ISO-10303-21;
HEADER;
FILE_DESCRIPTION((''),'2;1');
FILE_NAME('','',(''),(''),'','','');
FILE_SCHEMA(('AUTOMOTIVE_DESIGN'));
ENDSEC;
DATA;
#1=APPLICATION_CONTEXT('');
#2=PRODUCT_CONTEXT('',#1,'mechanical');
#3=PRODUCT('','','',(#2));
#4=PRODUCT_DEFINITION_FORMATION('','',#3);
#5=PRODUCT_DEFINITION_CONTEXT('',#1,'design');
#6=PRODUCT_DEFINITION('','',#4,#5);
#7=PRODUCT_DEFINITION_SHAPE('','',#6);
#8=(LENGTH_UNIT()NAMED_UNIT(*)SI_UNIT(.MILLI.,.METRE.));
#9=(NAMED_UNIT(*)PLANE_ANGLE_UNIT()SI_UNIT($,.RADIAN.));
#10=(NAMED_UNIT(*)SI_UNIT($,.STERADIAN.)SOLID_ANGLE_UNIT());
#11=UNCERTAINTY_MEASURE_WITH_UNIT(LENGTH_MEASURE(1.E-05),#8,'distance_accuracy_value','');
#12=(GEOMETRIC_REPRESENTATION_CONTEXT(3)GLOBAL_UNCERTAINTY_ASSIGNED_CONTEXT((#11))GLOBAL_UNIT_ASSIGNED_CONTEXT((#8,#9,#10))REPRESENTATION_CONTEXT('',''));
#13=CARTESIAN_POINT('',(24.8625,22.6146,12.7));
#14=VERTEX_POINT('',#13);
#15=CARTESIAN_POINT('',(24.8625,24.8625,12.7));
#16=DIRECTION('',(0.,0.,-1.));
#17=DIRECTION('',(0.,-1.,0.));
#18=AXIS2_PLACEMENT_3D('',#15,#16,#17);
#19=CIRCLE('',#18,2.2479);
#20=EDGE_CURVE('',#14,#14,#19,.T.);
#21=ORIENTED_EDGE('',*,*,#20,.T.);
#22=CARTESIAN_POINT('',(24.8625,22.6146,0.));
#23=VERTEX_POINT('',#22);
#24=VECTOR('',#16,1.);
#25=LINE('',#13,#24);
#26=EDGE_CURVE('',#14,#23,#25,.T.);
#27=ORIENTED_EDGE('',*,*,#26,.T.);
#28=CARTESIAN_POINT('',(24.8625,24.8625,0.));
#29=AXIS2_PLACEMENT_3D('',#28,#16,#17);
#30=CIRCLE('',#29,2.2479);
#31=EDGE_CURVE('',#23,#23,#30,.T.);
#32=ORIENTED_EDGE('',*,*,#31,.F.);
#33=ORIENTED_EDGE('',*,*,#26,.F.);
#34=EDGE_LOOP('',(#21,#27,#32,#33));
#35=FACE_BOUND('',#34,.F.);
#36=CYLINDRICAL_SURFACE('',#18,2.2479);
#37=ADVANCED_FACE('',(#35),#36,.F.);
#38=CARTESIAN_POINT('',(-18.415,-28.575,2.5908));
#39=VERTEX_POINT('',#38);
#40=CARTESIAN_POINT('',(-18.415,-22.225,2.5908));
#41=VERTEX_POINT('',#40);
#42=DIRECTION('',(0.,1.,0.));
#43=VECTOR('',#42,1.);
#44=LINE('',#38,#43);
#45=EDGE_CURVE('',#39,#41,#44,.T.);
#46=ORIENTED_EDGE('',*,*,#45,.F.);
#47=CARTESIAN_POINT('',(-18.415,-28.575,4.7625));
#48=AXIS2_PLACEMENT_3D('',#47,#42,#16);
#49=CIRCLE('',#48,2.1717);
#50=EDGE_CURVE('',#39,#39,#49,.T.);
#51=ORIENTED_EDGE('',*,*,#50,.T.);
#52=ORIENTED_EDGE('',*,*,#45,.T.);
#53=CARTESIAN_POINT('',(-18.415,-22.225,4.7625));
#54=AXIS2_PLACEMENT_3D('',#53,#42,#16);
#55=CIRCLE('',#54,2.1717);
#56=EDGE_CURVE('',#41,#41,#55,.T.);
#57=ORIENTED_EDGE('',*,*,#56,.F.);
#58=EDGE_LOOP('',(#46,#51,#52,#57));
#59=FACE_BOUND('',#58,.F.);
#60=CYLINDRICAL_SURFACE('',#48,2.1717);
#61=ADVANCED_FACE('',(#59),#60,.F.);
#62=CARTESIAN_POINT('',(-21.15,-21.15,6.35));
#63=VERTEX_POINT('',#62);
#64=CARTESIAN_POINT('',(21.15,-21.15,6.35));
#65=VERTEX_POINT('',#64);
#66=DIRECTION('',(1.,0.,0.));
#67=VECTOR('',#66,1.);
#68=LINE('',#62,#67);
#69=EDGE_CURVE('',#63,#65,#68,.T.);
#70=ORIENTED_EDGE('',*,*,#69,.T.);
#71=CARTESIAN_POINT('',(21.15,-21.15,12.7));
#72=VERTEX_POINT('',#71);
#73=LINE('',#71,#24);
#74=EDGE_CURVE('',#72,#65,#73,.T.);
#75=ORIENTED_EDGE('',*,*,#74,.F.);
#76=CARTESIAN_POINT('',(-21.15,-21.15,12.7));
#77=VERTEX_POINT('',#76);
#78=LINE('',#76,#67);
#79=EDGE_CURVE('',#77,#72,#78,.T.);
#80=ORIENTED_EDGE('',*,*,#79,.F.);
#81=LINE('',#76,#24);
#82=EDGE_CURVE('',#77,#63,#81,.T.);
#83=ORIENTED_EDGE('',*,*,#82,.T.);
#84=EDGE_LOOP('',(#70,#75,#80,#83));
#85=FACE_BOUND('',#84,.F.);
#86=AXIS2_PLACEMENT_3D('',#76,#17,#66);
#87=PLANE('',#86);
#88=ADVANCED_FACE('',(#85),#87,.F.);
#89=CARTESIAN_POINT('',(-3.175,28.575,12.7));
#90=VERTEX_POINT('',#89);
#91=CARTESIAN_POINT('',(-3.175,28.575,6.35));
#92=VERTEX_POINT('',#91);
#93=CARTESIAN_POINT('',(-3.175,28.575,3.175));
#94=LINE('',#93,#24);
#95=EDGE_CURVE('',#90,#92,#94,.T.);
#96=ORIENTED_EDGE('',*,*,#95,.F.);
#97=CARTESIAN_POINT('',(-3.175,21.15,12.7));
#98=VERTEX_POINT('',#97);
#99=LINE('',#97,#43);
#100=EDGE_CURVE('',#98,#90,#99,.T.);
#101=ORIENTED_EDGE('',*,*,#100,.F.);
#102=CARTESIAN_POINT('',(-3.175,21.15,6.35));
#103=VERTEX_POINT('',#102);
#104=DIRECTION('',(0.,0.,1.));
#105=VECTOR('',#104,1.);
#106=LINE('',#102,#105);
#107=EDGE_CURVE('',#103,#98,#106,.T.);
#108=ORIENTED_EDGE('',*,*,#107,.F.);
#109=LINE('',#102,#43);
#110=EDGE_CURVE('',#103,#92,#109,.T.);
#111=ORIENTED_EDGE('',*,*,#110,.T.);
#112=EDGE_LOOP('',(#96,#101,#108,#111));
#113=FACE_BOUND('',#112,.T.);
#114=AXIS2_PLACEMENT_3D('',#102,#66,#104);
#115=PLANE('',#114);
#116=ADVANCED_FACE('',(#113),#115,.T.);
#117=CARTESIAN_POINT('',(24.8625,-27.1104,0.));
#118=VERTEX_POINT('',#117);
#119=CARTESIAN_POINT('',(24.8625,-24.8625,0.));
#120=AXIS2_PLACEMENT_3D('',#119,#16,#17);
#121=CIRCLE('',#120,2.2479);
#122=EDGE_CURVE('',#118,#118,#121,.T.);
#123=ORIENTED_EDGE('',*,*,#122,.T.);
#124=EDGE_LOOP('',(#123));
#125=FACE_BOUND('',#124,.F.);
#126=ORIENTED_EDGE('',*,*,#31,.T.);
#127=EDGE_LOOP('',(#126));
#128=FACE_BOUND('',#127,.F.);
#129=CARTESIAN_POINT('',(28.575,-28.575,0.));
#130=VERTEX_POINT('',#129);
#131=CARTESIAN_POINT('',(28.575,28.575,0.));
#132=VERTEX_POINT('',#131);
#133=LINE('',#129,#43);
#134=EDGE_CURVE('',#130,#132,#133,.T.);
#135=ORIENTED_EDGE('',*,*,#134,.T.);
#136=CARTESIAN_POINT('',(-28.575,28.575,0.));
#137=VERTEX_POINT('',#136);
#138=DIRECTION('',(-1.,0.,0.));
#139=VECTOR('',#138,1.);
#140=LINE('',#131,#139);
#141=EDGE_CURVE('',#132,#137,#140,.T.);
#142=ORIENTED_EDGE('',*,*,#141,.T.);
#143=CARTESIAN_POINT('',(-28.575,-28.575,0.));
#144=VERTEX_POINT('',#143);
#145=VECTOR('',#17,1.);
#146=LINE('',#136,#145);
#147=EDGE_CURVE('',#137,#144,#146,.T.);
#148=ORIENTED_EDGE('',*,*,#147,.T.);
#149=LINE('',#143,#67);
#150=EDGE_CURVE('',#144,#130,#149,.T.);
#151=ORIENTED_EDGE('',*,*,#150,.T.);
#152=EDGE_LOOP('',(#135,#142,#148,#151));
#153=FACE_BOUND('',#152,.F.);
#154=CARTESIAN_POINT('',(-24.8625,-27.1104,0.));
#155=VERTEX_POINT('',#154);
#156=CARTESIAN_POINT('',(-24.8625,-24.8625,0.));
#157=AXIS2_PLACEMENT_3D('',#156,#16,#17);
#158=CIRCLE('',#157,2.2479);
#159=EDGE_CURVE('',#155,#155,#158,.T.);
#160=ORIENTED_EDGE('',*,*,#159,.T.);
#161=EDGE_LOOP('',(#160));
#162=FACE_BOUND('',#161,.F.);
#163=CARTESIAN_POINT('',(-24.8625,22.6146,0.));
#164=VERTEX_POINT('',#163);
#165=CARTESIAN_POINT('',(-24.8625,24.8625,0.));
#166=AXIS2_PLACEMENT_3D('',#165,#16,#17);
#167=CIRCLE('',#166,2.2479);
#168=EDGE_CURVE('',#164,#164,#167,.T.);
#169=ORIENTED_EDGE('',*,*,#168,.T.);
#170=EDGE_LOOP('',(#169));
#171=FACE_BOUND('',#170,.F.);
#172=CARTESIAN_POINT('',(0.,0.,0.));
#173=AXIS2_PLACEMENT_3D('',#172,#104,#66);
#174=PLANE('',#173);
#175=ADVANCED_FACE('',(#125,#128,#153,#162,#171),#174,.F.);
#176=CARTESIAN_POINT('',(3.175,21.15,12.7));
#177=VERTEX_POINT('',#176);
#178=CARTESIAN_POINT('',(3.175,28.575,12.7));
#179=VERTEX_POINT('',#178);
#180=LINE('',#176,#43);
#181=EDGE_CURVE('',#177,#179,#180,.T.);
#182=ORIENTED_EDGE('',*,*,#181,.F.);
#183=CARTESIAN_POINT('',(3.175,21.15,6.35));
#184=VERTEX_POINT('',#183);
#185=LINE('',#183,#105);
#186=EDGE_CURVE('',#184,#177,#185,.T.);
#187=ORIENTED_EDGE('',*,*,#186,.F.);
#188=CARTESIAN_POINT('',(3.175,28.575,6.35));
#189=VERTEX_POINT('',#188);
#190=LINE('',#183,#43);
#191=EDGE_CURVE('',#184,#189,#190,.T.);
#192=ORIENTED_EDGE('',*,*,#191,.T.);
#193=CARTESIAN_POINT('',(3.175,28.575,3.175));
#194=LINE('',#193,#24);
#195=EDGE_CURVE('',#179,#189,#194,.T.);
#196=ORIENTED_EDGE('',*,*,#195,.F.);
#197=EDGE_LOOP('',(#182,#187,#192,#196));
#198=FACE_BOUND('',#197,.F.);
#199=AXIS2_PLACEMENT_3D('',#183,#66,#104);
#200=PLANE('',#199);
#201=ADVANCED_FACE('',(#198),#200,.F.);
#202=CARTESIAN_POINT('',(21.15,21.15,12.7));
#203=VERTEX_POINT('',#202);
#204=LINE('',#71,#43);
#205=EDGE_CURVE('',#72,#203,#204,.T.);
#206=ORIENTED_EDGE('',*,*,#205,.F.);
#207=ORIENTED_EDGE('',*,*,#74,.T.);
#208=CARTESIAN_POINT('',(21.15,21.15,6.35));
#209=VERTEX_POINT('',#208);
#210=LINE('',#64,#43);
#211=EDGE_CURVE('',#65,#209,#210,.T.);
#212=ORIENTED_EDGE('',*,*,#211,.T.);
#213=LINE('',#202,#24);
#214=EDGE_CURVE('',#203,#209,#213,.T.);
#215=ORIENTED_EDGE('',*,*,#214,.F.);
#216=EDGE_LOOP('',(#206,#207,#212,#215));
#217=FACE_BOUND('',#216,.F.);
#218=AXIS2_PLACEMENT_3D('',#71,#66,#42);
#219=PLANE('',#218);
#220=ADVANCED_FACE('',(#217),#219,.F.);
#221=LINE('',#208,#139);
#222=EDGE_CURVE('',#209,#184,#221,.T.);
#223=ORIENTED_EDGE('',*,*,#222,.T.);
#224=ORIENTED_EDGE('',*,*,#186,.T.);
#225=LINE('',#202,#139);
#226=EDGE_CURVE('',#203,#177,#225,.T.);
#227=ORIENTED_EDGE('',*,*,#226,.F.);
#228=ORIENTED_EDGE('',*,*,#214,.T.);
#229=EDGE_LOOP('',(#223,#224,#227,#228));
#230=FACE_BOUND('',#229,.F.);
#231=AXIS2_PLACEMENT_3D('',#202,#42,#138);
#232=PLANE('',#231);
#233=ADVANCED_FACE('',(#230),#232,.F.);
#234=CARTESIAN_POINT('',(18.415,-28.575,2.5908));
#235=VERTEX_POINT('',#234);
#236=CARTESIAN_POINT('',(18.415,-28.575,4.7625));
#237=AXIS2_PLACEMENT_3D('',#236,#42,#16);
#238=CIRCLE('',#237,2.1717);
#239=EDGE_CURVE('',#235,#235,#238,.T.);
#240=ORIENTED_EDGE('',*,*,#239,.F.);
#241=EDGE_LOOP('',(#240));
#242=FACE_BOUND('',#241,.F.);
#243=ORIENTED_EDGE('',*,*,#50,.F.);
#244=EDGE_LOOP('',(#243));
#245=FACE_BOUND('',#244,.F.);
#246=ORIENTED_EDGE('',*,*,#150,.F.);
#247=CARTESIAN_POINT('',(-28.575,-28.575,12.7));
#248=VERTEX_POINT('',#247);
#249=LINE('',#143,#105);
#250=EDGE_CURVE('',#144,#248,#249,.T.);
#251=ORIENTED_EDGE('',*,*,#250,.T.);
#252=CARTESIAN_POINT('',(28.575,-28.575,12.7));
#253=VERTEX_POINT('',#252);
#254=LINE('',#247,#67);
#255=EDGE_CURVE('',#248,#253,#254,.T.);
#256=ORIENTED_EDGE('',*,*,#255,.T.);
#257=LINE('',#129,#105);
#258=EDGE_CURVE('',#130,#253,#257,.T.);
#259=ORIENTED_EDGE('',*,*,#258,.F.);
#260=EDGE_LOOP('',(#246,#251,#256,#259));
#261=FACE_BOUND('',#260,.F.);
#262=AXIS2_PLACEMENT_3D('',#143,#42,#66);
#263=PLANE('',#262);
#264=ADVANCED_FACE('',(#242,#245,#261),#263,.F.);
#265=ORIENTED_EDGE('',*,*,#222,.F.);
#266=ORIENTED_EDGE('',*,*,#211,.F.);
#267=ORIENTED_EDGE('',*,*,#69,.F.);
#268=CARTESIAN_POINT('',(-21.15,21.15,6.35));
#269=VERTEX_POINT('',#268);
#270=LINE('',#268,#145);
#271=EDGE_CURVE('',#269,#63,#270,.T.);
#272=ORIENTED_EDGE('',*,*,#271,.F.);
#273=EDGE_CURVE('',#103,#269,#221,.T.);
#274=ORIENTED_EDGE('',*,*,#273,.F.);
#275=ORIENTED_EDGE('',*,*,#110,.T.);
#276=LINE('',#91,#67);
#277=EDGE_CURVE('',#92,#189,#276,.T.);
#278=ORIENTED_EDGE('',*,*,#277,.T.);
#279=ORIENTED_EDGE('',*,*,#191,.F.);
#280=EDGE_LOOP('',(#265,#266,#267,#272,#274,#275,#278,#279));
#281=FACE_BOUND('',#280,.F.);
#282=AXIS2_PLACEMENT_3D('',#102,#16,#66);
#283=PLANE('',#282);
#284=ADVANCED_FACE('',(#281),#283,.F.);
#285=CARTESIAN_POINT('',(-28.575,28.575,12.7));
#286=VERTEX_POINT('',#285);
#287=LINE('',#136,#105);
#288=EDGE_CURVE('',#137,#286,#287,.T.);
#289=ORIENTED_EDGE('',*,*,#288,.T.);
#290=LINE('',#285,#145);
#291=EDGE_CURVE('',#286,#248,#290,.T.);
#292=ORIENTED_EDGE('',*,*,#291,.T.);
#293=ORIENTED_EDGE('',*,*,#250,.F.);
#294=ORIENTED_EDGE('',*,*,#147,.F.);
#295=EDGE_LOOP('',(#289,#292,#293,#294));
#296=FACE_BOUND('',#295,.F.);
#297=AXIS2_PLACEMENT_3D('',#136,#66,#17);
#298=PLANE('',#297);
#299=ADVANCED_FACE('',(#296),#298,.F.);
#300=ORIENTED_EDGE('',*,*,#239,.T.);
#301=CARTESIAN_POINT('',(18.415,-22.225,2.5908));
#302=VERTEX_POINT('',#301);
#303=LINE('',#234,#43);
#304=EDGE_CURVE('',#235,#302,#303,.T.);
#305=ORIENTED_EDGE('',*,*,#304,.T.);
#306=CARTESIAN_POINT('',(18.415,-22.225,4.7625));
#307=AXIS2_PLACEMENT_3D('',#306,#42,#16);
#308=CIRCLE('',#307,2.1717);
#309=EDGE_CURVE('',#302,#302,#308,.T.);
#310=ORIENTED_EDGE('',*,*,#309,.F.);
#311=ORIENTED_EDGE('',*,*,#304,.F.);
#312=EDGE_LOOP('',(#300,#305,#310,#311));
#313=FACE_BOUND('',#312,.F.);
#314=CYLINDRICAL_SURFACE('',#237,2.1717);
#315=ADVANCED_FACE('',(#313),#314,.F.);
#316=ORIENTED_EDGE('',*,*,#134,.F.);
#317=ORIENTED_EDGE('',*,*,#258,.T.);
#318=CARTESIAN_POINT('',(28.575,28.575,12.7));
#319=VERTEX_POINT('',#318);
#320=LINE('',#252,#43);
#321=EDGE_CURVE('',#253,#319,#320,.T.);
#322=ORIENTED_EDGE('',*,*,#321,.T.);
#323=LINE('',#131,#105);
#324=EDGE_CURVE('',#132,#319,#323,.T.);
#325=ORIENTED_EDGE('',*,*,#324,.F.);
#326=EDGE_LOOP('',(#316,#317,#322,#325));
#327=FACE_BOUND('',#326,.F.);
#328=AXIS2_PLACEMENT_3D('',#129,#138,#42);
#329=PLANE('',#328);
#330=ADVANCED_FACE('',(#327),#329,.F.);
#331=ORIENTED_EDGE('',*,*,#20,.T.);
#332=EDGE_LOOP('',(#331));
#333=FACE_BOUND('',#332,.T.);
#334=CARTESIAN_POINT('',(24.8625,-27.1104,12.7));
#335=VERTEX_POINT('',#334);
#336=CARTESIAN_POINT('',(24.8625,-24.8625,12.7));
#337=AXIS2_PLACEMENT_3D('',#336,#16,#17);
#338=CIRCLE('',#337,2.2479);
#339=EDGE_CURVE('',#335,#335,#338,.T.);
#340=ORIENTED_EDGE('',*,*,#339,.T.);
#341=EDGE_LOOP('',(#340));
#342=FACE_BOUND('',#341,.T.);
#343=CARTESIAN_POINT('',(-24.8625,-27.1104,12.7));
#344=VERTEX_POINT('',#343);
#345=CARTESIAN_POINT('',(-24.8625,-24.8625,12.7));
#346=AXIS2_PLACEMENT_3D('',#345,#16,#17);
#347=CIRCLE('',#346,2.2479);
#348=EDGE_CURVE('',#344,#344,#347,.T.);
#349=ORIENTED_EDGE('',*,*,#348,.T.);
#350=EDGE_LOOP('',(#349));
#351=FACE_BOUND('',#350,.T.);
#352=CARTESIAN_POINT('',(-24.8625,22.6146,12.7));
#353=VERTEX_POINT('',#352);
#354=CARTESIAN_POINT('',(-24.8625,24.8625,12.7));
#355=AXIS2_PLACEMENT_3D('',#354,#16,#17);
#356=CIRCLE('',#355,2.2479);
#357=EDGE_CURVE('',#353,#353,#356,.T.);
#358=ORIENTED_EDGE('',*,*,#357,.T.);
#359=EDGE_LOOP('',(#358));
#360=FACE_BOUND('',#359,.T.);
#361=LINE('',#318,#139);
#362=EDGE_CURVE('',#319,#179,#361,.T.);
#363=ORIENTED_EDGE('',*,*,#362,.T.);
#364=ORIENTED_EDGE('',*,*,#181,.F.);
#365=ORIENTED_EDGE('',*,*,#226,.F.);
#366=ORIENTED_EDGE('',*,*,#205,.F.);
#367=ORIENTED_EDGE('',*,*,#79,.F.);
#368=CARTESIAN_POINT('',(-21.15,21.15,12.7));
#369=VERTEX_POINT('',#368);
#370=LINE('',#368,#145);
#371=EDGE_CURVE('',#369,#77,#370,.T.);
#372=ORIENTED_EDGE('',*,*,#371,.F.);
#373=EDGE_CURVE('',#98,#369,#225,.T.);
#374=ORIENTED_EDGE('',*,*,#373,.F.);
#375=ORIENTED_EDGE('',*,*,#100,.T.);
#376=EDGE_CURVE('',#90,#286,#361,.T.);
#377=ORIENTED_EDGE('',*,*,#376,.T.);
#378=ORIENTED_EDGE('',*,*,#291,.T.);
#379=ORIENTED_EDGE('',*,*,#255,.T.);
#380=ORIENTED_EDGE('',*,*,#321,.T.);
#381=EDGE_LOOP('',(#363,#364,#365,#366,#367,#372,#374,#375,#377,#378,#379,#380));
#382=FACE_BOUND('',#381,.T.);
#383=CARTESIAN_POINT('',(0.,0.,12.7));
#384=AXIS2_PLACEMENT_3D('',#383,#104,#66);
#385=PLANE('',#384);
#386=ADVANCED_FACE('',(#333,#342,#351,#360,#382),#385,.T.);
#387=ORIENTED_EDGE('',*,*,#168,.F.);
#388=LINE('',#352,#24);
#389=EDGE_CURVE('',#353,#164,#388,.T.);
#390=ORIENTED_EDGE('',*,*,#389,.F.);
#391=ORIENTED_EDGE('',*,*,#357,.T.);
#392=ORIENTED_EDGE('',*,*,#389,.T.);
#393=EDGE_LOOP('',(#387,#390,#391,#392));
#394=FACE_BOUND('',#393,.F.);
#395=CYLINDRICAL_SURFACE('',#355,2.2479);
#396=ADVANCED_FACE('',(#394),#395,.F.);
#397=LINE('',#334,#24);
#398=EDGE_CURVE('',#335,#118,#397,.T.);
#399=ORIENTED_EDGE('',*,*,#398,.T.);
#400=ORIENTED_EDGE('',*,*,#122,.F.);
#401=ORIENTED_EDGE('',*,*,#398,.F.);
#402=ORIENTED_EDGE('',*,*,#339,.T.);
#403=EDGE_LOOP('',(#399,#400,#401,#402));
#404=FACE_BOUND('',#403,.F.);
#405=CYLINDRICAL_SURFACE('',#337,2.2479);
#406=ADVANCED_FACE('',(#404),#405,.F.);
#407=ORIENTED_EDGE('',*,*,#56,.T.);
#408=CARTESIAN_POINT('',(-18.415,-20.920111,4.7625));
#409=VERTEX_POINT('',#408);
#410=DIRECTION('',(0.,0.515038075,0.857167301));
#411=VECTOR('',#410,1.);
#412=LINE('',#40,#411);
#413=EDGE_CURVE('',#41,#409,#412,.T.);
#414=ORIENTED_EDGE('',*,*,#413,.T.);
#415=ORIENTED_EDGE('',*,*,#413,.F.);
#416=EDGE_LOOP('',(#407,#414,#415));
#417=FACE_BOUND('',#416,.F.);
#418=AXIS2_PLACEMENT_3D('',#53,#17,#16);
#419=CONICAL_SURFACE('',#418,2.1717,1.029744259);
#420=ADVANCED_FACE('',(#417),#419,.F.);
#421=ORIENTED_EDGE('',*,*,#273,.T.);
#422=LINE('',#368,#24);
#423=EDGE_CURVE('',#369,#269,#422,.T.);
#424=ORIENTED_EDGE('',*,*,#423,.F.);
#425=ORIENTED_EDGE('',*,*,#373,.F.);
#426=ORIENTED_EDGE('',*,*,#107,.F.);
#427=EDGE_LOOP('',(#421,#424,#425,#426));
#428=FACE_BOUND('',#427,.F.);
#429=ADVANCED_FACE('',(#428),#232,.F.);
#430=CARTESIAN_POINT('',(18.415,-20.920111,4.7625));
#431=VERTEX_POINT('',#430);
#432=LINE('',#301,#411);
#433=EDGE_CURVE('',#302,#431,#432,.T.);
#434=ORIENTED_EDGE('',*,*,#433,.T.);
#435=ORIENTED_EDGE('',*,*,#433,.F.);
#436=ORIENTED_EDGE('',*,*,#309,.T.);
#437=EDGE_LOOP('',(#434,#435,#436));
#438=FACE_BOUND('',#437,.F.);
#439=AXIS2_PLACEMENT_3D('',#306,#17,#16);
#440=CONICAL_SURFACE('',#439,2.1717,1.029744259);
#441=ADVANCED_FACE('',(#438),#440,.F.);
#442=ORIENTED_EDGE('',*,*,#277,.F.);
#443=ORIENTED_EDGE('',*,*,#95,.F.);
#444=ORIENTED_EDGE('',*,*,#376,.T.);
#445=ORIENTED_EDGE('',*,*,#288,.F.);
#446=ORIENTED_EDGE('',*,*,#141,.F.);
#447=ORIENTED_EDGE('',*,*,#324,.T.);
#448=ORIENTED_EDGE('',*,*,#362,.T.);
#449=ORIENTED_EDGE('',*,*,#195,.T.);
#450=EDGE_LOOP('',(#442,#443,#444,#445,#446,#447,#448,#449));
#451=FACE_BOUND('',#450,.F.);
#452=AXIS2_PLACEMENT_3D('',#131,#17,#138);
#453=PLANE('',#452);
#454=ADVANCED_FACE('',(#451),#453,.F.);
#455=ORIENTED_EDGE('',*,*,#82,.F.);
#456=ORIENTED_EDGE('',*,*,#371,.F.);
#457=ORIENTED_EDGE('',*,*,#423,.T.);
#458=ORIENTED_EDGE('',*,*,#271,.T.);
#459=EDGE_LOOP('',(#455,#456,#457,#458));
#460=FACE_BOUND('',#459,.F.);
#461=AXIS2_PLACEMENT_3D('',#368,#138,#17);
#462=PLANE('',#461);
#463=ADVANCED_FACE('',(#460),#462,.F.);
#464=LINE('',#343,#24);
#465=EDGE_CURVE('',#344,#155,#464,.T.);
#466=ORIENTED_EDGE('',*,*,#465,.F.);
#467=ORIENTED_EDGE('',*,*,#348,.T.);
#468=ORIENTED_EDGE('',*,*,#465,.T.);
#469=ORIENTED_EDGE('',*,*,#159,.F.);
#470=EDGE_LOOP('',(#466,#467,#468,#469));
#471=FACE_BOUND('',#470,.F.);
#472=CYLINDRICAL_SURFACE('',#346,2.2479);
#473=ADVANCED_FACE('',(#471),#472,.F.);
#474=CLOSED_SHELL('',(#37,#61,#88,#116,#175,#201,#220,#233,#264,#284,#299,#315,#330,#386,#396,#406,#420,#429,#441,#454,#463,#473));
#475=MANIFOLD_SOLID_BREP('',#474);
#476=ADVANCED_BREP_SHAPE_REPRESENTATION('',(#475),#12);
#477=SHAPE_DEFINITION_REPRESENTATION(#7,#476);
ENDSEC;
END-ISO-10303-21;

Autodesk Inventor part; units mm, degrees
ref_plane "YZ Plane" through (0, 0, 0) normal (1, 0, 0) x (0, 1, 0)
ref_plane "XZ Plane" through (0, 0, 0) normal (0, 1, 0) x (-1, 0, 0)
ref_plane "XY Plane" through (0, 0, 0) normal (0, 0, 1) x (1, 0, 0)
sketch "Sketch1" plane through (0, 0, 0) normal (0, 0, 1) x (1, 0, 0)
  line L0 (-28.575, -28.575) -> (28.575, -28.575)
  line L1 (28.575, -28.575) -> (28.575, 28.575)
  line L2 (28.575, 28.575) -> (-28.575, 28.575)
  line L3 (-28.575, 28.575) -> (-28.575, -28.575)
  line L4 (-28.575, -28.575) -> (28.575, 28.575) construction
  line L5 (28.575, -28.575) -> (-28.575, 28.575) construction
  point P0 (0, 0)
  dimension "d0" = 57.15
  dimension "d1" = 57.15
extrude "Extrusion1" add sketch "Sketch1" along normal blind 12.7
sketch "Sketch2" plane through (0, 0, 12.7) normal (0, 0, 1) x (1, 0, 0)
  line L0 (-21.15, -21.15) -> (21.15, -21.15)
  line L1 (21.15, -21.15) -> (21.15, 21.15)
  line L2 (21.15, 21.15) -> (-21.15, 21.15)
  line L3 (-21.15, 21.15) -> (-21.15, -21.15)
  line L4 (-21.15, -21.15) -> (21.15, 21.15) construction
  line L5 (21.15, -21.15) -> (-21.15, 21.15) construction
  point P0 (0, 0)
  dimension "d4" = 42.3
  dimension "d5" = 42.3
extrude "Extrusion2" cut sketch "Sketch2" against normal blind 6.35
sketch "Sketch3" plane through (-21.15, 21.15, 12.7) normal (0, -1, 0) x (1, 0, 0)
  line L0 (0, 0) -> (42.3, 0) projected
  line L1 (0, 0) -> (0, -6.35) projected
  line L2 (0, -6.35) -> (42.3, -6.35) projected
  line L3 (42.3, 0) -> (42.3, -6.35) projected
  line L4 (21.15, -6.35) -> (24.325, -6.35)
  line L5 (24.325, -6.35) -> (24.325, 0)
  line L6 (24.325, 0) -> (21.15, 0)
  line L7 (21.15, -6.35) -> (17.975, -6.35)
  line L8 (17.975, -6.35) -> (17.975, 0)
  line L9 (17.975, 0) -> (21.15, 0)
  point P0 (21.15, -12.7)
  dimension "d10" = 17.975
  dimension "d11" = 17.975
extrude "Extrusion3" cut sketch "Sketch3" against normal up to next contours L0 L5 L2 L8
sketch "Sketch4" plane through (0, 0, 12.7) normal (0, 0, 1) x (1, 0, 0)
  line L0 (28.575, -28.575) -> (28.575, 28.575) projected
  line L1 (28.575, 28.575) -> (3.175, 28.575) projected
  line L2 (28.575, 28.575) -> (-28.575, -28.575) construction
  line L3 (-28.575, 28.575) -> (28.575, -28.575) construction
  line L4 (28.575, 24.8625) -> (24.8625, 24.8625) construction
  line L5 (-24.8625, -24.8625) -> (24.8625, -24.8625) construction
  line L6 (24.8625, -24.8625) -> (24.8625, 24.8625) construction
  line L7 (24.8625, 24.8625) -> (-24.8625, 24.8625) construction
  line L8 (-24.8625, 24.8625) -> (-24.8625, -24.8625) construction
  line L9 (-24.8625, -24.8625) -> (24.8625, 24.8625) construction
  line L10 (24.8625, -24.8625) -> (-24.8625, 24.8625) construction
  point P0 (0, 0)
  dimension "d14" = 3.7125
hole "Hole1" at (-24.8625, 24.8625, 12.7) at (24.8625, 24.8625, 12.7) at (24.8625, -24.8625, 12.7) at (-24.8625, -24.8625, 12.7) direction (0, 0, -1) diameter 4.4958 end through all clearance for "Flat Head Machine Screw (82)" size "#8" standard "Ansi Unified Screw Threads"
sketch "Sketch5" plane through (-28.575, -28.575, 0) normal (0, -1, 0) x (1, 0, 0)
  line L0 (57.15, 0) -> (57.15, 12.7) projected
  line L1 (0, 12.7) -> (57.15, 12.7) projected
  line L2 (0, 0) -> (0, 12.7) projected
  line L3 (3.9568, 4.7625) -> (48.9174, 4.7625) construction
  point P0 (28.575, 0)
  point P1 (10.16, 4.7625)
  point P2 (46.99, 4.7625)
  dimension "d22" = 7.9375
  dimension "d23" = 10.16
  dimension "d24" = 10.16
hole "Hole2" at (-18.415, -28.575, 4.7625) at (18.415, -28.575, 4.7625) direction (0, 1, 0) diameter 4.3434 depth 6.35 tip angle 118 thread size "12-24 UNC" class "2B" standard "ANSI Unified Screw Threads"
equation "\"d1\" = d0"
equation "\"d11\" = d10"
equation "\"d24\" = d23"
properties part number "NEMA_17-back" material "Aluminum 6061"
